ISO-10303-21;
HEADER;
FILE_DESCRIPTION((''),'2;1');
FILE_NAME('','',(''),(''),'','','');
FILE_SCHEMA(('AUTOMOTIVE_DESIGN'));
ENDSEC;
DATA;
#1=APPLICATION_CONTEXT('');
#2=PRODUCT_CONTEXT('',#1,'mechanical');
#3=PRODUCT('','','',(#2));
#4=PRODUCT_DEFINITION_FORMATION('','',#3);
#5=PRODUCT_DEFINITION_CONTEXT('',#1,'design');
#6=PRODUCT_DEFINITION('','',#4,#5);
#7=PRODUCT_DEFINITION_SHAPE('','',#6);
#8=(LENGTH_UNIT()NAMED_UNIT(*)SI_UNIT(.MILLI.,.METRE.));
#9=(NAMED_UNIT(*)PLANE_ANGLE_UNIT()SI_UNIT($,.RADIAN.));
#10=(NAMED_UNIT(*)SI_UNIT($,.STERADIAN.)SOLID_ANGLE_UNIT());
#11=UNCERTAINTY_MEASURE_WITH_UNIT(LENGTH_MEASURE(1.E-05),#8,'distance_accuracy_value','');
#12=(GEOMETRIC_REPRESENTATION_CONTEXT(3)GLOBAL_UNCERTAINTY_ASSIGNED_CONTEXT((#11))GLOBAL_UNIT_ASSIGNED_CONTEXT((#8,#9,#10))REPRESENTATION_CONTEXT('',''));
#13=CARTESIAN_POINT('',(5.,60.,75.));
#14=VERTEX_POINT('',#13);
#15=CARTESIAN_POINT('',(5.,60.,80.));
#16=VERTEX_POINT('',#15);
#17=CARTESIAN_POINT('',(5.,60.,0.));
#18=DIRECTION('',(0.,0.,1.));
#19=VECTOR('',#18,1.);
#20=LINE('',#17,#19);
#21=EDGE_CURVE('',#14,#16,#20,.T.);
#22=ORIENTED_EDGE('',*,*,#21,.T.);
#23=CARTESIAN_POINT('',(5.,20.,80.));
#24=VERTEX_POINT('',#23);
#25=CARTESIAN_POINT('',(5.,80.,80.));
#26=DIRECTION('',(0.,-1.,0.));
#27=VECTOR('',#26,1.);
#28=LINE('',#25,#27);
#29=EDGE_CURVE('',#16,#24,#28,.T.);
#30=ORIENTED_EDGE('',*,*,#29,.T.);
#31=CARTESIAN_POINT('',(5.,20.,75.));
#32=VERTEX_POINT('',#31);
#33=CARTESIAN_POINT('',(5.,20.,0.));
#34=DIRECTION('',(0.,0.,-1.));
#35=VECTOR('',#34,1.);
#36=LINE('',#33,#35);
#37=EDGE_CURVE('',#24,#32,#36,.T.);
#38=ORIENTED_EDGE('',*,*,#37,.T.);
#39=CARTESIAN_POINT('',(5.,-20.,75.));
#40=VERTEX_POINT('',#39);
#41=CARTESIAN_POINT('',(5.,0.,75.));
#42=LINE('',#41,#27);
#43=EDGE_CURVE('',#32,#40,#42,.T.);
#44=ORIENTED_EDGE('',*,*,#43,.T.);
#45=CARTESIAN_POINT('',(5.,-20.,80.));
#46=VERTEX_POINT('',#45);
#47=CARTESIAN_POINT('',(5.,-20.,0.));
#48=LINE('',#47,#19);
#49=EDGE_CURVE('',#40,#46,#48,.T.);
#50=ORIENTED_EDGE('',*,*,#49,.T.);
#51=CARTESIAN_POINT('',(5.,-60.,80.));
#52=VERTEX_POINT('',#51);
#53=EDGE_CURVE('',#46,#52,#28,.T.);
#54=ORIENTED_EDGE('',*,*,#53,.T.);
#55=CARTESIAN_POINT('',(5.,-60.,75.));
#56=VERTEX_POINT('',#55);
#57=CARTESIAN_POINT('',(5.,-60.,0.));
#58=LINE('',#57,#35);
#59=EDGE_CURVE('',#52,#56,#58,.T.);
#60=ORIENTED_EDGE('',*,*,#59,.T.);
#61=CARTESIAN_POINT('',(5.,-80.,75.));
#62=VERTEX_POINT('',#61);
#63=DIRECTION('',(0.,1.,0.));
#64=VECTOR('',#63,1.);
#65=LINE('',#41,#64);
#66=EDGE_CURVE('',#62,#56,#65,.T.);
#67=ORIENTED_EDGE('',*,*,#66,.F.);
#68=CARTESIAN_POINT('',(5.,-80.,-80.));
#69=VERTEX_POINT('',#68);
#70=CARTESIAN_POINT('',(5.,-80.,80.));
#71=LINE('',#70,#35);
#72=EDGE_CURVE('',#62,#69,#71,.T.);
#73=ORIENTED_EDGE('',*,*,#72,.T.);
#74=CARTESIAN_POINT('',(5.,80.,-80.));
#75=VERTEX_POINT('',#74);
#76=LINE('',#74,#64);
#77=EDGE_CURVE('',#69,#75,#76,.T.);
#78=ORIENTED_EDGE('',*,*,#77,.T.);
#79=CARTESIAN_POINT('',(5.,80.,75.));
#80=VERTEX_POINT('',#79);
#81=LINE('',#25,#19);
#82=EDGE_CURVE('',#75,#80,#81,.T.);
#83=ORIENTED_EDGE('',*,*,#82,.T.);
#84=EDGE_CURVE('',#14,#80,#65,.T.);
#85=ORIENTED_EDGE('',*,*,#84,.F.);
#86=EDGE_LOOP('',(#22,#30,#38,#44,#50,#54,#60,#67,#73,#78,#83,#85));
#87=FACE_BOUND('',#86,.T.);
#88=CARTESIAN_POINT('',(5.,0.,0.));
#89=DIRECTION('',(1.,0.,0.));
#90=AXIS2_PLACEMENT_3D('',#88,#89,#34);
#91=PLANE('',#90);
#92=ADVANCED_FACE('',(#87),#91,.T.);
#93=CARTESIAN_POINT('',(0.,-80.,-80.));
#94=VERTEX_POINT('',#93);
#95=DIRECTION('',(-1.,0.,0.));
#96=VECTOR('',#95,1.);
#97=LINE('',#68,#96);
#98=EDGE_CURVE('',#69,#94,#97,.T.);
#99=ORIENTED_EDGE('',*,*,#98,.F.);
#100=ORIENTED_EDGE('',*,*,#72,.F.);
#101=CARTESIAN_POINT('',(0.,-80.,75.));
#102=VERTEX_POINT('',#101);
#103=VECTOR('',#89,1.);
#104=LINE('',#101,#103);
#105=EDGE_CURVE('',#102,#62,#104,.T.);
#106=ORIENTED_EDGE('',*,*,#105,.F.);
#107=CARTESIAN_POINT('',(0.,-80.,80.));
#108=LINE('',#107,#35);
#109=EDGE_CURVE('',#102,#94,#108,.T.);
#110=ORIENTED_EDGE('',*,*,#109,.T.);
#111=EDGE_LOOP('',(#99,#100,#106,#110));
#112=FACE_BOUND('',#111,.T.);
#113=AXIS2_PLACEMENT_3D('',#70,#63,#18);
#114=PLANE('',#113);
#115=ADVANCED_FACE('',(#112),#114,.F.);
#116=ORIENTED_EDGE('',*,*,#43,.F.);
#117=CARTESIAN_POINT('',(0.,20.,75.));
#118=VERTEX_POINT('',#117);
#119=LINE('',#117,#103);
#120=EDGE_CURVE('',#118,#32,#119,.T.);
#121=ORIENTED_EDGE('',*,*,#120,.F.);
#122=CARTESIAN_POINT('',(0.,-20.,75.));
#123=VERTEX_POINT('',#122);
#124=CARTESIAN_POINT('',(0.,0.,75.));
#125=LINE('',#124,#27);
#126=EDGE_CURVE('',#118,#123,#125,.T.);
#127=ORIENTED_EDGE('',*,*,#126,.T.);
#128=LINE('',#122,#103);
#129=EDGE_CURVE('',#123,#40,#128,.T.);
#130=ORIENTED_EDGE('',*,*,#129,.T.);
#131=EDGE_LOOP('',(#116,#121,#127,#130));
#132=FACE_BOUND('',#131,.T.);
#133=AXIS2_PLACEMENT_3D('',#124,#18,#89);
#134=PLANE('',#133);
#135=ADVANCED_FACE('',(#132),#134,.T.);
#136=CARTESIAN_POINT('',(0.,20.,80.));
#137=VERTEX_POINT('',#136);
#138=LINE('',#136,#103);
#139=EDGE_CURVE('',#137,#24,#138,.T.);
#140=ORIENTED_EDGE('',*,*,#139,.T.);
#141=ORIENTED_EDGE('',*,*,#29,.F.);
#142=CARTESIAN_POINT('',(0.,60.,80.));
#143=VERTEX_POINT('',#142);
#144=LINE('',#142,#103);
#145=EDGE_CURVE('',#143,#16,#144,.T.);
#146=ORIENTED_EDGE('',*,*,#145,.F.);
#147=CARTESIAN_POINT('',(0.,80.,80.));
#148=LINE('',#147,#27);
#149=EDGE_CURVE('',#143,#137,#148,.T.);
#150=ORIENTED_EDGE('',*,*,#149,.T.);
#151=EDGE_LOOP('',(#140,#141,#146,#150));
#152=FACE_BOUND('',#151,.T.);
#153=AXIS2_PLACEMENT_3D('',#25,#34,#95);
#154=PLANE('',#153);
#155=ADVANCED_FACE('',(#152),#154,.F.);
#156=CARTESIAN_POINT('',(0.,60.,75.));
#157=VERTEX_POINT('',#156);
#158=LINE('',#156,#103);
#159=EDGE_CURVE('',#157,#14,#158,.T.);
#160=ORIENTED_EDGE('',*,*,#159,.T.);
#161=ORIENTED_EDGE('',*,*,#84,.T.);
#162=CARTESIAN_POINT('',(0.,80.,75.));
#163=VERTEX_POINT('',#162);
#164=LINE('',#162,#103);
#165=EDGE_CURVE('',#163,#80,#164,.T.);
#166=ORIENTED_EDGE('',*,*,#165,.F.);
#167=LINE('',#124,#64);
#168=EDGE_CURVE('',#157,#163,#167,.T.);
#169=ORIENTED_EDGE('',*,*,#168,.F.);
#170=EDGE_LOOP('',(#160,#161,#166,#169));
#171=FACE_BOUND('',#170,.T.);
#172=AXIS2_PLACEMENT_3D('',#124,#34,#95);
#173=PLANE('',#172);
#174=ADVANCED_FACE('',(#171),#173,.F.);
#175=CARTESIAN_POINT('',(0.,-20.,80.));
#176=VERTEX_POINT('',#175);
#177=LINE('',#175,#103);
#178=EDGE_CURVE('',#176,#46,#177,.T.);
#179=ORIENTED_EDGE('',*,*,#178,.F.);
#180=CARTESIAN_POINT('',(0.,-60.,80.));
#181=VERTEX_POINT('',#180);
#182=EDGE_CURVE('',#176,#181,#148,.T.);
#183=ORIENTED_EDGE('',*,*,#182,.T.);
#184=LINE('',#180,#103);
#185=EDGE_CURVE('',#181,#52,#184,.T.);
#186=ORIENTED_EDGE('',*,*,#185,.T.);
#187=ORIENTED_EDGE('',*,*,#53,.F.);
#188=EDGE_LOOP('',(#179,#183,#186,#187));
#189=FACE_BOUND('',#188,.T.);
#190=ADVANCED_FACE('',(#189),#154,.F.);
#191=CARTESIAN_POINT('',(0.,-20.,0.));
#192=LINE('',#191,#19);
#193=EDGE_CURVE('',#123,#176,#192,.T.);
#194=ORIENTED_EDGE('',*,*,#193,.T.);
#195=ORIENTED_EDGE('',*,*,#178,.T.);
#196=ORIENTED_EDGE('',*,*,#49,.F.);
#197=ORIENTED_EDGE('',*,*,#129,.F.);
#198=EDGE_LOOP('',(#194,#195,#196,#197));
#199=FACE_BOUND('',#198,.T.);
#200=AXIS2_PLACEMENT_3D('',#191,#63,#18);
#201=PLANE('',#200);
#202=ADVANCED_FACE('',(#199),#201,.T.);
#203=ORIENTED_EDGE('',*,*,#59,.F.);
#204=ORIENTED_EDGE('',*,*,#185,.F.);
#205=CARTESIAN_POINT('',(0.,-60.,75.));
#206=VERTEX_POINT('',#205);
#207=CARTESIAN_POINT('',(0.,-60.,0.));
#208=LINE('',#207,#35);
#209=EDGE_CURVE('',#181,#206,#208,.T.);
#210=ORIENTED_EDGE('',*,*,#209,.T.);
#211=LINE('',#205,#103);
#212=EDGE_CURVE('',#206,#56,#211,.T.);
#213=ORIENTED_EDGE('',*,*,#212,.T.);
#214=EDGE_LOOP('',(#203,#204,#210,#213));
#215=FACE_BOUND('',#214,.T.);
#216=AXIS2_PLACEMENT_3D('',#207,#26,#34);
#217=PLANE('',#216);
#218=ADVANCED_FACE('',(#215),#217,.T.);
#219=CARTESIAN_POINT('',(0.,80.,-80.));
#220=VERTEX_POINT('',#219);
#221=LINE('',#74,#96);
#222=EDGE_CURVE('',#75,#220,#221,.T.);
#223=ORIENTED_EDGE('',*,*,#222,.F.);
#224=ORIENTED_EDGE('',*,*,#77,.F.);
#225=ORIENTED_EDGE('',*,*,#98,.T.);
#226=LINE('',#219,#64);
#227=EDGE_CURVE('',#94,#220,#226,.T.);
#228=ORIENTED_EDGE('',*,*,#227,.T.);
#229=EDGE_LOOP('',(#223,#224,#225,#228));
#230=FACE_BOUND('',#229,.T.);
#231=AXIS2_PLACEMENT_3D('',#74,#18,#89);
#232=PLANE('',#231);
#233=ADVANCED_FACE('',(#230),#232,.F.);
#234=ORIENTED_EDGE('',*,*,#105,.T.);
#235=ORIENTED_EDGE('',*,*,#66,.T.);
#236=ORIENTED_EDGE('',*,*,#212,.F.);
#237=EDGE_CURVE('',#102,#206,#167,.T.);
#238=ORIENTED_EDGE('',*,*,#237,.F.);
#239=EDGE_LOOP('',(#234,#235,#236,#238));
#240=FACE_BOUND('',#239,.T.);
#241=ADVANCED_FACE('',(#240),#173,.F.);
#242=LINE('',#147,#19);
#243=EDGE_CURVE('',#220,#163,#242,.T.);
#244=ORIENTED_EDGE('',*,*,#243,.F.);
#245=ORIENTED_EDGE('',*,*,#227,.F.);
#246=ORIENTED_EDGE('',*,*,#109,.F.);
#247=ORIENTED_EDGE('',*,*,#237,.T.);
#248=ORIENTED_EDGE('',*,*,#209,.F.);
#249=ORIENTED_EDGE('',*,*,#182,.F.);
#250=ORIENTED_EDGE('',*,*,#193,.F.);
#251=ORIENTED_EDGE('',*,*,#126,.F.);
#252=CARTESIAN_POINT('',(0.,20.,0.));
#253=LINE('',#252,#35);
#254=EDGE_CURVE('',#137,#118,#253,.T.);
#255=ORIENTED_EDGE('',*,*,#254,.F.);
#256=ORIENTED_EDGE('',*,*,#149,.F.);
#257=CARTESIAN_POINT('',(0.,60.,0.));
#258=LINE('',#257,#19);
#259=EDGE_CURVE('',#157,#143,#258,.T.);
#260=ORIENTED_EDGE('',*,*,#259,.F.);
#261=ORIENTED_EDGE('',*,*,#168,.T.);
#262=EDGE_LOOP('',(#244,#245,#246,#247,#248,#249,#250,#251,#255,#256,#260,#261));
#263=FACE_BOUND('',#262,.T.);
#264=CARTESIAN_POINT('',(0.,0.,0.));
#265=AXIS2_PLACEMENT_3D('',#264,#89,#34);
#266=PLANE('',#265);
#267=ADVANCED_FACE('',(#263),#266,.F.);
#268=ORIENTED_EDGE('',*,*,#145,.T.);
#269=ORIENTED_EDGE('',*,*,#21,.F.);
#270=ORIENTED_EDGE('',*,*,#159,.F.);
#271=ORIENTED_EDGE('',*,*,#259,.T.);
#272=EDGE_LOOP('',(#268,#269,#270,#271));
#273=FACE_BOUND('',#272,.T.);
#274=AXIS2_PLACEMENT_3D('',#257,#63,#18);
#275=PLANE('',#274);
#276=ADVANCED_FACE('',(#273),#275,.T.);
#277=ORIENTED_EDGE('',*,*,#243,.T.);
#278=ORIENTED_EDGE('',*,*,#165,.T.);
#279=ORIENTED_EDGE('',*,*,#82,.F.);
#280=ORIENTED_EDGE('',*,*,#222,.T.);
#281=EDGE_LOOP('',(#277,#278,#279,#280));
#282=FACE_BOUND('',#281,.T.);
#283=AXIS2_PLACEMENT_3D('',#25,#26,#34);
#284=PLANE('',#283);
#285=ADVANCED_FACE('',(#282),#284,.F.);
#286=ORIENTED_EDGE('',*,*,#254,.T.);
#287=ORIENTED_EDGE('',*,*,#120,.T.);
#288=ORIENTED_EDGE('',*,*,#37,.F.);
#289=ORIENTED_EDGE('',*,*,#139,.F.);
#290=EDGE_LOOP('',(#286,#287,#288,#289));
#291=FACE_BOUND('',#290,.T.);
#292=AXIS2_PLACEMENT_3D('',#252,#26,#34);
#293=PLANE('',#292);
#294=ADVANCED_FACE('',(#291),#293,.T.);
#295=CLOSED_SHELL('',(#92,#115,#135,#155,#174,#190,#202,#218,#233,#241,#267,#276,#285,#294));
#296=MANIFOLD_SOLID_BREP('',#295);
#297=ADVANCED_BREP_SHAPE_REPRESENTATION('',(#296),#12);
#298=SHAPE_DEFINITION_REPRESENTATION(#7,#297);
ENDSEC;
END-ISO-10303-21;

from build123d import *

# Parameters (mm, degrees)
SKETCH1_W           = 160
SKETCH1_H           = 160
BOSS_EXTRUDE1_DEPTH = 5
SKETCH2_W           = 5
SKETCH2_H           = 20
SKETCH2_H_2         = 40
CUT_EXTRUDE1_DEPTH  = 114.247516529


with BuildPart() as part:
    # Sketch1 → Boss-Extrude1 (new body)
    with BuildSketch(Plane(origin=(0, 0, 0), x_dir=(0, 0, -1), z_dir=(1, 0, 0))):
        Rectangle(SKETCH1_W, SKETCH1_H)
    extrude(amount=BOSS_EXTRUDE1_DEPTH)

    # Sketch2 → Cut-Extrude1 (cut, through all)
    with BuildSketch(Plane(origin=(5, 0, 0), x_dir=(0, 0, -1), z_dir=(1, 0, 0))):
        with Locations((-77.5, 70)):
            Rectangle(SKETCH2_W, SKETCH2_H)
        with Locations((-77.5, 0)):
            Rectangle(SKETCH2_W, SKETCH2_H_2)
        with Locations((-77.5, -70)):
            Rectangle(SKETCH2_W, SKETCH2_H)
    extrude(amount=-CUT_EXTRUDE1_DEPTH, mode=Mode.SUBTRACT)


solid = part.part
